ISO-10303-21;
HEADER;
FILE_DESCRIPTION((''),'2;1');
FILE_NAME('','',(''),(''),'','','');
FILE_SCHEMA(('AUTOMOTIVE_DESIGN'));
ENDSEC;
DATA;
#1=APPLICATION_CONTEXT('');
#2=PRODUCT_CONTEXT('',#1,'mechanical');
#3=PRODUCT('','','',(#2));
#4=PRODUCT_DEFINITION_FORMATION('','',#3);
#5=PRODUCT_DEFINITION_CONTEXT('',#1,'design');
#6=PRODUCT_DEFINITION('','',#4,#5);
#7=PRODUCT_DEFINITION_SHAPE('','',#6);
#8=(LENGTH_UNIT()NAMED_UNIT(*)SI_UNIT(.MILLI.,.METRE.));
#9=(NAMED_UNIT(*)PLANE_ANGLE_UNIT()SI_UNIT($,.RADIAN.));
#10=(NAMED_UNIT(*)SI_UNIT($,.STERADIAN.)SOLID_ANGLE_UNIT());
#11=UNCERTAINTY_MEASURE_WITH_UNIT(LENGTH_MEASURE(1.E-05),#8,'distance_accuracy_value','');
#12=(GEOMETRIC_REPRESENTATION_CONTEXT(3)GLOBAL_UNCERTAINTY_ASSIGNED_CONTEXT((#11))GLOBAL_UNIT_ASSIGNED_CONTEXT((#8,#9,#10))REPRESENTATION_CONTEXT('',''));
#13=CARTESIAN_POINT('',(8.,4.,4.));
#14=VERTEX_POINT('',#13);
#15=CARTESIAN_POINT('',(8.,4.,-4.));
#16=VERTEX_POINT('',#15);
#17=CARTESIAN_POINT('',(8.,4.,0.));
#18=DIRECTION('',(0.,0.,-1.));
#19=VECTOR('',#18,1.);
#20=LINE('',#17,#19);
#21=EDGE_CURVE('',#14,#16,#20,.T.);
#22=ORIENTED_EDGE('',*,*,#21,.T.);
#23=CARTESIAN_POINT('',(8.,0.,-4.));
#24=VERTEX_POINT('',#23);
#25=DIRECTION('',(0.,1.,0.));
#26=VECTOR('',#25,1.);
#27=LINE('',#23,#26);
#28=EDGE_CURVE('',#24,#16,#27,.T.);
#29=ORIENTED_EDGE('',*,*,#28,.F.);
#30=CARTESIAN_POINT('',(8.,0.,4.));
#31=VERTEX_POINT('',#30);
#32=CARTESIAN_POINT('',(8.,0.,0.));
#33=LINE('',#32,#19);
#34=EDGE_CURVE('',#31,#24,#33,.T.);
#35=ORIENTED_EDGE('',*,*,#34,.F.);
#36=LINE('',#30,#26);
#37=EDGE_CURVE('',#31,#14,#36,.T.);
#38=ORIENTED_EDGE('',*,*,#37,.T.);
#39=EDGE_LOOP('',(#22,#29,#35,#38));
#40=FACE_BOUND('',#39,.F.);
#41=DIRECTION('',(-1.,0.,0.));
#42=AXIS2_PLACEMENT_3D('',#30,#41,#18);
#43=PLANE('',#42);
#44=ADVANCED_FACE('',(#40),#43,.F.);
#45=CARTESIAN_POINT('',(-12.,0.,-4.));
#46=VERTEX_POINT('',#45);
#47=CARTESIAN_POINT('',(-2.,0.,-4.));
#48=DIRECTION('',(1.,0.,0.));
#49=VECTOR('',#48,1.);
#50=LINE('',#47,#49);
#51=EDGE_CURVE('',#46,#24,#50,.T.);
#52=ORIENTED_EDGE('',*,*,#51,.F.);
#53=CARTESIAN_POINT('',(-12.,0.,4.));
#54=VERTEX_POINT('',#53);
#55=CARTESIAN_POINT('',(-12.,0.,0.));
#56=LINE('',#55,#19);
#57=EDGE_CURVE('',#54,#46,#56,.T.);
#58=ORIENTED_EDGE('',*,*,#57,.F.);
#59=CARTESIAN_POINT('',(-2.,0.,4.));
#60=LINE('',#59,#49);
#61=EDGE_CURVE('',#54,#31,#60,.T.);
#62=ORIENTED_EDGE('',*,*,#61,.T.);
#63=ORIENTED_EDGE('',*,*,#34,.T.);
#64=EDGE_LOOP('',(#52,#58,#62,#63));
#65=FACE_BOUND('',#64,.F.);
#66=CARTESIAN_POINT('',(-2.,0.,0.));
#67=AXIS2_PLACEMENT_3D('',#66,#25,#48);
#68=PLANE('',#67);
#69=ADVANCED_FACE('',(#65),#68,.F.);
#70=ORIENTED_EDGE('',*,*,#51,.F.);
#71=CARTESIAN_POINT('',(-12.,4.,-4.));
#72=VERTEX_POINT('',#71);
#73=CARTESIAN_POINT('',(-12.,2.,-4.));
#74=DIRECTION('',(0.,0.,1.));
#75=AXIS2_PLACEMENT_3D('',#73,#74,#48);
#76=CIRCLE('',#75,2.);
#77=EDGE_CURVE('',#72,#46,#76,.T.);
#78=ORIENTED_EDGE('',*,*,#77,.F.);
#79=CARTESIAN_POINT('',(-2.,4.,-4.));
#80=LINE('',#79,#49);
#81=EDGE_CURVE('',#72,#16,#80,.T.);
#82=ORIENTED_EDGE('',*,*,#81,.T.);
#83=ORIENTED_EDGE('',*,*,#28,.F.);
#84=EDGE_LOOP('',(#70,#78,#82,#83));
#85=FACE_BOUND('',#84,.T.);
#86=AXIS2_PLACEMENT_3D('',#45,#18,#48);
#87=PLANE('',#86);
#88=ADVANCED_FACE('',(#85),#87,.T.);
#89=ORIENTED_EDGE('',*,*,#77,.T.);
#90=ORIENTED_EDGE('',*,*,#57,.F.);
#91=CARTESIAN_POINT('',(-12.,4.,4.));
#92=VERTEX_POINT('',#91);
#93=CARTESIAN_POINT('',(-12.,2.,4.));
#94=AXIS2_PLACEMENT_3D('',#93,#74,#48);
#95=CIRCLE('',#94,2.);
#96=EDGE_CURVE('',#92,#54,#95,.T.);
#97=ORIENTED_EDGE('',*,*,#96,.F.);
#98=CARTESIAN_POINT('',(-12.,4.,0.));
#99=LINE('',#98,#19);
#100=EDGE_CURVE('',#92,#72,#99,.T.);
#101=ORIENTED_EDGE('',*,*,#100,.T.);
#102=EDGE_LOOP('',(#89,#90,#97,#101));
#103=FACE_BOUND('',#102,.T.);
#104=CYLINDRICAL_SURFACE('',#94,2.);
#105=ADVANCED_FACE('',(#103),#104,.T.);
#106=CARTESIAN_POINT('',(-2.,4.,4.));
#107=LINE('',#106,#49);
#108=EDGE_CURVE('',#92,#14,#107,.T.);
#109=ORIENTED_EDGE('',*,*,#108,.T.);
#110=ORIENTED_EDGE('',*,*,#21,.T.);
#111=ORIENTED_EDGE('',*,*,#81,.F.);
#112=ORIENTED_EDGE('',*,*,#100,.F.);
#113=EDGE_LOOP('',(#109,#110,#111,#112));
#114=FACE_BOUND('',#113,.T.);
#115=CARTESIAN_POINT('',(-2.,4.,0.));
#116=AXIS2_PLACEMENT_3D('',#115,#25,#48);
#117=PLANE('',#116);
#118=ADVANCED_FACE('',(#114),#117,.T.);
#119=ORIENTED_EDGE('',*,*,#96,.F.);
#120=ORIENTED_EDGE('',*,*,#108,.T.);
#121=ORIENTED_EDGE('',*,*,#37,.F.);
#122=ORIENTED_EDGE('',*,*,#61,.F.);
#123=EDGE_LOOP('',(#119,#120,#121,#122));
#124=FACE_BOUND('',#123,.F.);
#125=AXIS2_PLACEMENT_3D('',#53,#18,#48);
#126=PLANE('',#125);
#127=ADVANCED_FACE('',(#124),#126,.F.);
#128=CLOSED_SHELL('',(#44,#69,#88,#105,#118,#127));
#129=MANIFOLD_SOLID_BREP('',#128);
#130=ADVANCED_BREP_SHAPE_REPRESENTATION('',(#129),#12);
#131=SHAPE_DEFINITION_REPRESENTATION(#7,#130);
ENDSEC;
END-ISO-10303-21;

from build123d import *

# Parameters (mm, degrees)
SKETCH_1_W      = 20
SKETCH_1_H      = 8
EXTRUDE_1_DEPTH = 4
SKETCH_2_R      = 2
EXTRUDE_2_DEPTH = 8


with BuildPart() as part:
    # 草图1 → 凸台-拉伸1 (new body)
    with BuildSketch(Plane(origin=(0, 0, 0), x_dir=(1, 0, 0), z_dir=(0, 1, 0))):
        with Locations((-2, 0)):
            Rectangle(SKETCH_1_W, SKETCH_1_H)
    extrude(amount=EXTRUDE_1_DEPTH)

    # 草图2 → 凸台-拉伸2 (add)
    with BuildSketch(Plane.XY.offset(4)):
        with Locations((-12, 2)):
            Circle(SKETCH_2_R)
    extrude(amount=-EXTRUDE_2_DEPTH)


solid = part.part
